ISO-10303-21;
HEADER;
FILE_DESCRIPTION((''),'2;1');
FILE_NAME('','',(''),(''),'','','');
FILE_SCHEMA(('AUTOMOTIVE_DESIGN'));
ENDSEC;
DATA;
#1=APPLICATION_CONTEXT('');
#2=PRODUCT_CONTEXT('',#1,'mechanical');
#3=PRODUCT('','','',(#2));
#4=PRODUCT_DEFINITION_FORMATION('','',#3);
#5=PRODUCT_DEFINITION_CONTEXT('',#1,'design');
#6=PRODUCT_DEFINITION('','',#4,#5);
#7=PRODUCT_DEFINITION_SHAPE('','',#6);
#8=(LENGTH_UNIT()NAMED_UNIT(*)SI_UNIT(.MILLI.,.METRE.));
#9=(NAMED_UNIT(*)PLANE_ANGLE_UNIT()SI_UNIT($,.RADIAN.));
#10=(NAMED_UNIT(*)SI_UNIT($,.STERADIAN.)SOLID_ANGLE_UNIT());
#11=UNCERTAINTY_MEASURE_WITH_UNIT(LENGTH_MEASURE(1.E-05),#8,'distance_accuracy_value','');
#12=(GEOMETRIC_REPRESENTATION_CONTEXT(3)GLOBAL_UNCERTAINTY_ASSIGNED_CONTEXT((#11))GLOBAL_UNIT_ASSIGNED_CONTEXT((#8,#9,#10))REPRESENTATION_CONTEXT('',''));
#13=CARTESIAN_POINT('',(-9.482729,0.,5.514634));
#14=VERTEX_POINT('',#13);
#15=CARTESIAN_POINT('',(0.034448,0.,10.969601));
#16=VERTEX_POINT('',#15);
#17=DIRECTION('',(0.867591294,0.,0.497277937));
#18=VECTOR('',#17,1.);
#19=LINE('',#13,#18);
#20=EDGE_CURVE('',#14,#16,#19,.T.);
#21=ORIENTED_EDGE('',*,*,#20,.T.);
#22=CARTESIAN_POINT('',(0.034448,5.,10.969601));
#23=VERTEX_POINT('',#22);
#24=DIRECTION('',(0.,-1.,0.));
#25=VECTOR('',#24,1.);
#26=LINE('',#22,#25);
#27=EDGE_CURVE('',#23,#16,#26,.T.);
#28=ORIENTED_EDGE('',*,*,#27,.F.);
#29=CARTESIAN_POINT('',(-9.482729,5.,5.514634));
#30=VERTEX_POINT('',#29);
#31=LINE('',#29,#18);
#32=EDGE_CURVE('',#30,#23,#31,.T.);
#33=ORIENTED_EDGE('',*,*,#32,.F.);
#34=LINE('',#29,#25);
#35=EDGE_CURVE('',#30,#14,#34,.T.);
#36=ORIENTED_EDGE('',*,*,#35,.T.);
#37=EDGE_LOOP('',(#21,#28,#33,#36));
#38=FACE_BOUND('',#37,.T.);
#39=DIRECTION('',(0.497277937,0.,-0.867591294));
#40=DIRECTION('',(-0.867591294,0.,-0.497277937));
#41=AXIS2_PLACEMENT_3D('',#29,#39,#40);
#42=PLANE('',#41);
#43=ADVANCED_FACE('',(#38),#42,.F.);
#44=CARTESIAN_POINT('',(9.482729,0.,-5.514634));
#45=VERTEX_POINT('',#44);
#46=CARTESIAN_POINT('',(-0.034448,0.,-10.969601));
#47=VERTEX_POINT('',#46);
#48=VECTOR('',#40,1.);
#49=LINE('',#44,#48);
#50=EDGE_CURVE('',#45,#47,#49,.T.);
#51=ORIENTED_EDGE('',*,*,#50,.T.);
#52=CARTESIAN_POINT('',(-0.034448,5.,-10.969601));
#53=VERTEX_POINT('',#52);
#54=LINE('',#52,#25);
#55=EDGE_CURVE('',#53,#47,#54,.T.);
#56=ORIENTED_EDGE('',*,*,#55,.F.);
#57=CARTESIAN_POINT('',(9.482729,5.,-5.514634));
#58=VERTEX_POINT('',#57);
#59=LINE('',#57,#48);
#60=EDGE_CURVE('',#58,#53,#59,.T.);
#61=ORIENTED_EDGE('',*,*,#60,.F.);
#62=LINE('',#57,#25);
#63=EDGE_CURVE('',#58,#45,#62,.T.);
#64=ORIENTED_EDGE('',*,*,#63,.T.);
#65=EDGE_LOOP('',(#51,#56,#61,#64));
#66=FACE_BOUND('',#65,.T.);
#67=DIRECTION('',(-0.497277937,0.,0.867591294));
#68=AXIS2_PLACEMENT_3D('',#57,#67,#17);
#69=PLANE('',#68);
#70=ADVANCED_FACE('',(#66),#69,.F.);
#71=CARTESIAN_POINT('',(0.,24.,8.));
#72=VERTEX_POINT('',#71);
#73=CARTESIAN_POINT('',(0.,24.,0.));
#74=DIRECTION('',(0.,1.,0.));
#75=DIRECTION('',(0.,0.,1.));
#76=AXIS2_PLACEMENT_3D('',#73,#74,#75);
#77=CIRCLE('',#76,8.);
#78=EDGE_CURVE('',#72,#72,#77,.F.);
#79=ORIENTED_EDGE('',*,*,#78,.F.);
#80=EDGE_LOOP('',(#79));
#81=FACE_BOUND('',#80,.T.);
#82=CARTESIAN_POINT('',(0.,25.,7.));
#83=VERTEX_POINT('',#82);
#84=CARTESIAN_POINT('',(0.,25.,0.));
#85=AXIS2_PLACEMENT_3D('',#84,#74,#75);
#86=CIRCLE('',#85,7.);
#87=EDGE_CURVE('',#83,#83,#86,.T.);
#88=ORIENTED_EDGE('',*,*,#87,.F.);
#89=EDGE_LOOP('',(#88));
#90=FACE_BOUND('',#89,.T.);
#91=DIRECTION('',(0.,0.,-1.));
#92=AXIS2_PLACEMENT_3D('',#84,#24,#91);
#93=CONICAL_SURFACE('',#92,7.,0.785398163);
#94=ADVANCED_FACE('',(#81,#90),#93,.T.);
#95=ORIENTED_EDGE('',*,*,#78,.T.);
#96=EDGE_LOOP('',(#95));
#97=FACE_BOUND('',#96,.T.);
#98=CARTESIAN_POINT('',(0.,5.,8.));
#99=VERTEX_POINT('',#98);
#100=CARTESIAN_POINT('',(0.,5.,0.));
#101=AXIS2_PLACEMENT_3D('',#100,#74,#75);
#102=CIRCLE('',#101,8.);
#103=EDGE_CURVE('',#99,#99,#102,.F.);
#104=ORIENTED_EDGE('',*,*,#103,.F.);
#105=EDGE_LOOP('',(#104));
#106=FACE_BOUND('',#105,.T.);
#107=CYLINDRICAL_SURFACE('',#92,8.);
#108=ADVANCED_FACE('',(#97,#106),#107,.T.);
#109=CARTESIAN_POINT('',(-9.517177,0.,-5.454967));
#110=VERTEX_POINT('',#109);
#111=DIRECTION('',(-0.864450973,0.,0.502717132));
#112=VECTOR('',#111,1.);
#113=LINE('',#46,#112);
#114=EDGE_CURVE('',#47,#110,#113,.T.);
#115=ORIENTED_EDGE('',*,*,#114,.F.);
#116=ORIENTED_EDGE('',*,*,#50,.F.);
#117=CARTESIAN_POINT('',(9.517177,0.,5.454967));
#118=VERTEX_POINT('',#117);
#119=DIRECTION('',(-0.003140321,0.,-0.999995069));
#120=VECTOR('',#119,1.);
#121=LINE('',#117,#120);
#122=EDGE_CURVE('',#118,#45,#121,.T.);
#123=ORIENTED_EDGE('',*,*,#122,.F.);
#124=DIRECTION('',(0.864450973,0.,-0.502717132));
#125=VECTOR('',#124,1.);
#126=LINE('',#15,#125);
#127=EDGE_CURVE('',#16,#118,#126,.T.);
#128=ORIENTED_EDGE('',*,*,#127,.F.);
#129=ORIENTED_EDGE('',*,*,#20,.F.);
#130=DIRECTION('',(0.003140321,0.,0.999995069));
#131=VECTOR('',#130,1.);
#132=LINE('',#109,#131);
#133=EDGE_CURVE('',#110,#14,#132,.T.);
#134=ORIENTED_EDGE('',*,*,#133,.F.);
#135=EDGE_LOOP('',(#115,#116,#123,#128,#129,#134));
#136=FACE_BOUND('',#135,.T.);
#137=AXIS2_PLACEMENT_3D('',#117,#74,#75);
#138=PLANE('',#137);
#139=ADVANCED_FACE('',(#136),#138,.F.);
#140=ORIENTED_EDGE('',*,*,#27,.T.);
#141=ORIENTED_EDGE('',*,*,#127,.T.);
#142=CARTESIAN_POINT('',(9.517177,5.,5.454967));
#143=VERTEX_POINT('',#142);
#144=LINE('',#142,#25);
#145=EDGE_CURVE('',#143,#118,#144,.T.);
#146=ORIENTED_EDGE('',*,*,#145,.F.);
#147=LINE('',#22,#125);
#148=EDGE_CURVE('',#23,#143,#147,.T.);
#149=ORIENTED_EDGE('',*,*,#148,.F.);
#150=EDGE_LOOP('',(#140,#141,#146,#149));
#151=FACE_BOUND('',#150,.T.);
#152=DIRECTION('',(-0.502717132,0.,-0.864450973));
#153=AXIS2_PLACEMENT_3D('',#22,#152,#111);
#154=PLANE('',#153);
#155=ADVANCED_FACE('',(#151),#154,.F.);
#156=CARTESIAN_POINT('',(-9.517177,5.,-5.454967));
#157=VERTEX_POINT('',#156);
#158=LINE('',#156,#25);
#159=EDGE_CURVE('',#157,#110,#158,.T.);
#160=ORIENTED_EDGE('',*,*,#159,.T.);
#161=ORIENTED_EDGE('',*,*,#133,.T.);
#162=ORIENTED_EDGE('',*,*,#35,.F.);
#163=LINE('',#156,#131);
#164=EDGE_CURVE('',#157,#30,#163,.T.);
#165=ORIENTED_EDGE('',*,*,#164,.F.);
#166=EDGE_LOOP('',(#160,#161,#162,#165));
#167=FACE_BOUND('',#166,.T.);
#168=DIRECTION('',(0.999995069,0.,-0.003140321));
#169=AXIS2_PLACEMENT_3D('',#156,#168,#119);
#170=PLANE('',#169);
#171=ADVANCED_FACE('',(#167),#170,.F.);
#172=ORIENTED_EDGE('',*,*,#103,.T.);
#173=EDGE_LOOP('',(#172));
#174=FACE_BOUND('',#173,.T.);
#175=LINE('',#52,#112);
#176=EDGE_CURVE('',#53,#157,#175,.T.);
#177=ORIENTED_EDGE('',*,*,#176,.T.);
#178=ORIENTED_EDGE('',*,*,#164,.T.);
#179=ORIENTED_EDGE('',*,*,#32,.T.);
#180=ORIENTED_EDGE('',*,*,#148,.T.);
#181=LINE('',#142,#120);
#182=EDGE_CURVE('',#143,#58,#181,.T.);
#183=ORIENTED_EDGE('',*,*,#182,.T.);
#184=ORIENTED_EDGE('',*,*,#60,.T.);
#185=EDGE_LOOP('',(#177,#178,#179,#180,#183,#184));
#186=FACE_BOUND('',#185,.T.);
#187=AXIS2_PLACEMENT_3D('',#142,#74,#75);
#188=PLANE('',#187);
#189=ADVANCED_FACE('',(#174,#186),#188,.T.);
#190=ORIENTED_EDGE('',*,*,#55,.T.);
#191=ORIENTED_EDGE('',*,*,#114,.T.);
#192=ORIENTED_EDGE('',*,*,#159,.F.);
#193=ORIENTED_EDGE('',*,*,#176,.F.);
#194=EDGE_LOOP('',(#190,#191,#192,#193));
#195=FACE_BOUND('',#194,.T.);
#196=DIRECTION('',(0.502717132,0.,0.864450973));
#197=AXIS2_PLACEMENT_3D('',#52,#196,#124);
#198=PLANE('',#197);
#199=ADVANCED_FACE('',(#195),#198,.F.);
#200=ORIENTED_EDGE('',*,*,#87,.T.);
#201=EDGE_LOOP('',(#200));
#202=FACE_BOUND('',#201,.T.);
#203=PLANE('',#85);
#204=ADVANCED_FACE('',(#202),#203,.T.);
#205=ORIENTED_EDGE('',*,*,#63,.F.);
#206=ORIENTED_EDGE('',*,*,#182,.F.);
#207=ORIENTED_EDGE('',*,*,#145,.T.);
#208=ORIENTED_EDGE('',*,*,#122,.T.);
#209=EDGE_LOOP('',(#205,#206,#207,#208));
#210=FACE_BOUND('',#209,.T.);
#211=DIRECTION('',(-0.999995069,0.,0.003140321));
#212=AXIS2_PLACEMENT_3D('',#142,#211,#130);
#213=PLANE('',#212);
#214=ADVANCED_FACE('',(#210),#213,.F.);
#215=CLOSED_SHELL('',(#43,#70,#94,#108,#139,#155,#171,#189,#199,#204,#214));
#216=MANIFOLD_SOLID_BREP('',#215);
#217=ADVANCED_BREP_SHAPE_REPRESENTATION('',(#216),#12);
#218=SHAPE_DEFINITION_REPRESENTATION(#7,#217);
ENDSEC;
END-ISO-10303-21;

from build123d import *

# Parameters (mm, degrees)
BOSS_EXTRUDE1_DEPTH = 5
SKETCH2_R           = 8
BOSS_EXTRUDE2_DEPTH = 25
CHAMFER1_SIZE       = 1


with BuildPart() as part:
    # Sketch1 → Boss-Extrude1 (new body)
    with BuildSketch(Plane(origin=(0, 0, 0), x_dir=(1, 0, 0), z_dir=(0, 1, 0))):
        Polygon((9.517177276, -5.454967463), (9.482729038, 5.514633562), (-0.034448238, 10.969601025), (-9.517177276, 5.454967463), (-9.482729038, -5.514633562), (0.034448238, -10.969601025), align=None)
    extrude(amount=BOSS_EXTRUDE1_DEPTH)

    # Sketch2 → Boss-Extrude2 (add)
    with BuildSketch(Plane(origin=(0, 0, 0), x_dir=(1, 0, 0), z_dir=(0, 1, 0))):
        Circle(SKETCH2_R)
    extrude(amount=BOSS_EXTRUDE2_DEPTH)

    # Chamfer1
    chamfer1_edges = [part.edges().sort_by_distance(p)[0] for p in [
        (-8, 25, 0),
    ]]
    chamfer(chamfer1_edges, length=CHAMFER1_SIZE)


solid = part.part
